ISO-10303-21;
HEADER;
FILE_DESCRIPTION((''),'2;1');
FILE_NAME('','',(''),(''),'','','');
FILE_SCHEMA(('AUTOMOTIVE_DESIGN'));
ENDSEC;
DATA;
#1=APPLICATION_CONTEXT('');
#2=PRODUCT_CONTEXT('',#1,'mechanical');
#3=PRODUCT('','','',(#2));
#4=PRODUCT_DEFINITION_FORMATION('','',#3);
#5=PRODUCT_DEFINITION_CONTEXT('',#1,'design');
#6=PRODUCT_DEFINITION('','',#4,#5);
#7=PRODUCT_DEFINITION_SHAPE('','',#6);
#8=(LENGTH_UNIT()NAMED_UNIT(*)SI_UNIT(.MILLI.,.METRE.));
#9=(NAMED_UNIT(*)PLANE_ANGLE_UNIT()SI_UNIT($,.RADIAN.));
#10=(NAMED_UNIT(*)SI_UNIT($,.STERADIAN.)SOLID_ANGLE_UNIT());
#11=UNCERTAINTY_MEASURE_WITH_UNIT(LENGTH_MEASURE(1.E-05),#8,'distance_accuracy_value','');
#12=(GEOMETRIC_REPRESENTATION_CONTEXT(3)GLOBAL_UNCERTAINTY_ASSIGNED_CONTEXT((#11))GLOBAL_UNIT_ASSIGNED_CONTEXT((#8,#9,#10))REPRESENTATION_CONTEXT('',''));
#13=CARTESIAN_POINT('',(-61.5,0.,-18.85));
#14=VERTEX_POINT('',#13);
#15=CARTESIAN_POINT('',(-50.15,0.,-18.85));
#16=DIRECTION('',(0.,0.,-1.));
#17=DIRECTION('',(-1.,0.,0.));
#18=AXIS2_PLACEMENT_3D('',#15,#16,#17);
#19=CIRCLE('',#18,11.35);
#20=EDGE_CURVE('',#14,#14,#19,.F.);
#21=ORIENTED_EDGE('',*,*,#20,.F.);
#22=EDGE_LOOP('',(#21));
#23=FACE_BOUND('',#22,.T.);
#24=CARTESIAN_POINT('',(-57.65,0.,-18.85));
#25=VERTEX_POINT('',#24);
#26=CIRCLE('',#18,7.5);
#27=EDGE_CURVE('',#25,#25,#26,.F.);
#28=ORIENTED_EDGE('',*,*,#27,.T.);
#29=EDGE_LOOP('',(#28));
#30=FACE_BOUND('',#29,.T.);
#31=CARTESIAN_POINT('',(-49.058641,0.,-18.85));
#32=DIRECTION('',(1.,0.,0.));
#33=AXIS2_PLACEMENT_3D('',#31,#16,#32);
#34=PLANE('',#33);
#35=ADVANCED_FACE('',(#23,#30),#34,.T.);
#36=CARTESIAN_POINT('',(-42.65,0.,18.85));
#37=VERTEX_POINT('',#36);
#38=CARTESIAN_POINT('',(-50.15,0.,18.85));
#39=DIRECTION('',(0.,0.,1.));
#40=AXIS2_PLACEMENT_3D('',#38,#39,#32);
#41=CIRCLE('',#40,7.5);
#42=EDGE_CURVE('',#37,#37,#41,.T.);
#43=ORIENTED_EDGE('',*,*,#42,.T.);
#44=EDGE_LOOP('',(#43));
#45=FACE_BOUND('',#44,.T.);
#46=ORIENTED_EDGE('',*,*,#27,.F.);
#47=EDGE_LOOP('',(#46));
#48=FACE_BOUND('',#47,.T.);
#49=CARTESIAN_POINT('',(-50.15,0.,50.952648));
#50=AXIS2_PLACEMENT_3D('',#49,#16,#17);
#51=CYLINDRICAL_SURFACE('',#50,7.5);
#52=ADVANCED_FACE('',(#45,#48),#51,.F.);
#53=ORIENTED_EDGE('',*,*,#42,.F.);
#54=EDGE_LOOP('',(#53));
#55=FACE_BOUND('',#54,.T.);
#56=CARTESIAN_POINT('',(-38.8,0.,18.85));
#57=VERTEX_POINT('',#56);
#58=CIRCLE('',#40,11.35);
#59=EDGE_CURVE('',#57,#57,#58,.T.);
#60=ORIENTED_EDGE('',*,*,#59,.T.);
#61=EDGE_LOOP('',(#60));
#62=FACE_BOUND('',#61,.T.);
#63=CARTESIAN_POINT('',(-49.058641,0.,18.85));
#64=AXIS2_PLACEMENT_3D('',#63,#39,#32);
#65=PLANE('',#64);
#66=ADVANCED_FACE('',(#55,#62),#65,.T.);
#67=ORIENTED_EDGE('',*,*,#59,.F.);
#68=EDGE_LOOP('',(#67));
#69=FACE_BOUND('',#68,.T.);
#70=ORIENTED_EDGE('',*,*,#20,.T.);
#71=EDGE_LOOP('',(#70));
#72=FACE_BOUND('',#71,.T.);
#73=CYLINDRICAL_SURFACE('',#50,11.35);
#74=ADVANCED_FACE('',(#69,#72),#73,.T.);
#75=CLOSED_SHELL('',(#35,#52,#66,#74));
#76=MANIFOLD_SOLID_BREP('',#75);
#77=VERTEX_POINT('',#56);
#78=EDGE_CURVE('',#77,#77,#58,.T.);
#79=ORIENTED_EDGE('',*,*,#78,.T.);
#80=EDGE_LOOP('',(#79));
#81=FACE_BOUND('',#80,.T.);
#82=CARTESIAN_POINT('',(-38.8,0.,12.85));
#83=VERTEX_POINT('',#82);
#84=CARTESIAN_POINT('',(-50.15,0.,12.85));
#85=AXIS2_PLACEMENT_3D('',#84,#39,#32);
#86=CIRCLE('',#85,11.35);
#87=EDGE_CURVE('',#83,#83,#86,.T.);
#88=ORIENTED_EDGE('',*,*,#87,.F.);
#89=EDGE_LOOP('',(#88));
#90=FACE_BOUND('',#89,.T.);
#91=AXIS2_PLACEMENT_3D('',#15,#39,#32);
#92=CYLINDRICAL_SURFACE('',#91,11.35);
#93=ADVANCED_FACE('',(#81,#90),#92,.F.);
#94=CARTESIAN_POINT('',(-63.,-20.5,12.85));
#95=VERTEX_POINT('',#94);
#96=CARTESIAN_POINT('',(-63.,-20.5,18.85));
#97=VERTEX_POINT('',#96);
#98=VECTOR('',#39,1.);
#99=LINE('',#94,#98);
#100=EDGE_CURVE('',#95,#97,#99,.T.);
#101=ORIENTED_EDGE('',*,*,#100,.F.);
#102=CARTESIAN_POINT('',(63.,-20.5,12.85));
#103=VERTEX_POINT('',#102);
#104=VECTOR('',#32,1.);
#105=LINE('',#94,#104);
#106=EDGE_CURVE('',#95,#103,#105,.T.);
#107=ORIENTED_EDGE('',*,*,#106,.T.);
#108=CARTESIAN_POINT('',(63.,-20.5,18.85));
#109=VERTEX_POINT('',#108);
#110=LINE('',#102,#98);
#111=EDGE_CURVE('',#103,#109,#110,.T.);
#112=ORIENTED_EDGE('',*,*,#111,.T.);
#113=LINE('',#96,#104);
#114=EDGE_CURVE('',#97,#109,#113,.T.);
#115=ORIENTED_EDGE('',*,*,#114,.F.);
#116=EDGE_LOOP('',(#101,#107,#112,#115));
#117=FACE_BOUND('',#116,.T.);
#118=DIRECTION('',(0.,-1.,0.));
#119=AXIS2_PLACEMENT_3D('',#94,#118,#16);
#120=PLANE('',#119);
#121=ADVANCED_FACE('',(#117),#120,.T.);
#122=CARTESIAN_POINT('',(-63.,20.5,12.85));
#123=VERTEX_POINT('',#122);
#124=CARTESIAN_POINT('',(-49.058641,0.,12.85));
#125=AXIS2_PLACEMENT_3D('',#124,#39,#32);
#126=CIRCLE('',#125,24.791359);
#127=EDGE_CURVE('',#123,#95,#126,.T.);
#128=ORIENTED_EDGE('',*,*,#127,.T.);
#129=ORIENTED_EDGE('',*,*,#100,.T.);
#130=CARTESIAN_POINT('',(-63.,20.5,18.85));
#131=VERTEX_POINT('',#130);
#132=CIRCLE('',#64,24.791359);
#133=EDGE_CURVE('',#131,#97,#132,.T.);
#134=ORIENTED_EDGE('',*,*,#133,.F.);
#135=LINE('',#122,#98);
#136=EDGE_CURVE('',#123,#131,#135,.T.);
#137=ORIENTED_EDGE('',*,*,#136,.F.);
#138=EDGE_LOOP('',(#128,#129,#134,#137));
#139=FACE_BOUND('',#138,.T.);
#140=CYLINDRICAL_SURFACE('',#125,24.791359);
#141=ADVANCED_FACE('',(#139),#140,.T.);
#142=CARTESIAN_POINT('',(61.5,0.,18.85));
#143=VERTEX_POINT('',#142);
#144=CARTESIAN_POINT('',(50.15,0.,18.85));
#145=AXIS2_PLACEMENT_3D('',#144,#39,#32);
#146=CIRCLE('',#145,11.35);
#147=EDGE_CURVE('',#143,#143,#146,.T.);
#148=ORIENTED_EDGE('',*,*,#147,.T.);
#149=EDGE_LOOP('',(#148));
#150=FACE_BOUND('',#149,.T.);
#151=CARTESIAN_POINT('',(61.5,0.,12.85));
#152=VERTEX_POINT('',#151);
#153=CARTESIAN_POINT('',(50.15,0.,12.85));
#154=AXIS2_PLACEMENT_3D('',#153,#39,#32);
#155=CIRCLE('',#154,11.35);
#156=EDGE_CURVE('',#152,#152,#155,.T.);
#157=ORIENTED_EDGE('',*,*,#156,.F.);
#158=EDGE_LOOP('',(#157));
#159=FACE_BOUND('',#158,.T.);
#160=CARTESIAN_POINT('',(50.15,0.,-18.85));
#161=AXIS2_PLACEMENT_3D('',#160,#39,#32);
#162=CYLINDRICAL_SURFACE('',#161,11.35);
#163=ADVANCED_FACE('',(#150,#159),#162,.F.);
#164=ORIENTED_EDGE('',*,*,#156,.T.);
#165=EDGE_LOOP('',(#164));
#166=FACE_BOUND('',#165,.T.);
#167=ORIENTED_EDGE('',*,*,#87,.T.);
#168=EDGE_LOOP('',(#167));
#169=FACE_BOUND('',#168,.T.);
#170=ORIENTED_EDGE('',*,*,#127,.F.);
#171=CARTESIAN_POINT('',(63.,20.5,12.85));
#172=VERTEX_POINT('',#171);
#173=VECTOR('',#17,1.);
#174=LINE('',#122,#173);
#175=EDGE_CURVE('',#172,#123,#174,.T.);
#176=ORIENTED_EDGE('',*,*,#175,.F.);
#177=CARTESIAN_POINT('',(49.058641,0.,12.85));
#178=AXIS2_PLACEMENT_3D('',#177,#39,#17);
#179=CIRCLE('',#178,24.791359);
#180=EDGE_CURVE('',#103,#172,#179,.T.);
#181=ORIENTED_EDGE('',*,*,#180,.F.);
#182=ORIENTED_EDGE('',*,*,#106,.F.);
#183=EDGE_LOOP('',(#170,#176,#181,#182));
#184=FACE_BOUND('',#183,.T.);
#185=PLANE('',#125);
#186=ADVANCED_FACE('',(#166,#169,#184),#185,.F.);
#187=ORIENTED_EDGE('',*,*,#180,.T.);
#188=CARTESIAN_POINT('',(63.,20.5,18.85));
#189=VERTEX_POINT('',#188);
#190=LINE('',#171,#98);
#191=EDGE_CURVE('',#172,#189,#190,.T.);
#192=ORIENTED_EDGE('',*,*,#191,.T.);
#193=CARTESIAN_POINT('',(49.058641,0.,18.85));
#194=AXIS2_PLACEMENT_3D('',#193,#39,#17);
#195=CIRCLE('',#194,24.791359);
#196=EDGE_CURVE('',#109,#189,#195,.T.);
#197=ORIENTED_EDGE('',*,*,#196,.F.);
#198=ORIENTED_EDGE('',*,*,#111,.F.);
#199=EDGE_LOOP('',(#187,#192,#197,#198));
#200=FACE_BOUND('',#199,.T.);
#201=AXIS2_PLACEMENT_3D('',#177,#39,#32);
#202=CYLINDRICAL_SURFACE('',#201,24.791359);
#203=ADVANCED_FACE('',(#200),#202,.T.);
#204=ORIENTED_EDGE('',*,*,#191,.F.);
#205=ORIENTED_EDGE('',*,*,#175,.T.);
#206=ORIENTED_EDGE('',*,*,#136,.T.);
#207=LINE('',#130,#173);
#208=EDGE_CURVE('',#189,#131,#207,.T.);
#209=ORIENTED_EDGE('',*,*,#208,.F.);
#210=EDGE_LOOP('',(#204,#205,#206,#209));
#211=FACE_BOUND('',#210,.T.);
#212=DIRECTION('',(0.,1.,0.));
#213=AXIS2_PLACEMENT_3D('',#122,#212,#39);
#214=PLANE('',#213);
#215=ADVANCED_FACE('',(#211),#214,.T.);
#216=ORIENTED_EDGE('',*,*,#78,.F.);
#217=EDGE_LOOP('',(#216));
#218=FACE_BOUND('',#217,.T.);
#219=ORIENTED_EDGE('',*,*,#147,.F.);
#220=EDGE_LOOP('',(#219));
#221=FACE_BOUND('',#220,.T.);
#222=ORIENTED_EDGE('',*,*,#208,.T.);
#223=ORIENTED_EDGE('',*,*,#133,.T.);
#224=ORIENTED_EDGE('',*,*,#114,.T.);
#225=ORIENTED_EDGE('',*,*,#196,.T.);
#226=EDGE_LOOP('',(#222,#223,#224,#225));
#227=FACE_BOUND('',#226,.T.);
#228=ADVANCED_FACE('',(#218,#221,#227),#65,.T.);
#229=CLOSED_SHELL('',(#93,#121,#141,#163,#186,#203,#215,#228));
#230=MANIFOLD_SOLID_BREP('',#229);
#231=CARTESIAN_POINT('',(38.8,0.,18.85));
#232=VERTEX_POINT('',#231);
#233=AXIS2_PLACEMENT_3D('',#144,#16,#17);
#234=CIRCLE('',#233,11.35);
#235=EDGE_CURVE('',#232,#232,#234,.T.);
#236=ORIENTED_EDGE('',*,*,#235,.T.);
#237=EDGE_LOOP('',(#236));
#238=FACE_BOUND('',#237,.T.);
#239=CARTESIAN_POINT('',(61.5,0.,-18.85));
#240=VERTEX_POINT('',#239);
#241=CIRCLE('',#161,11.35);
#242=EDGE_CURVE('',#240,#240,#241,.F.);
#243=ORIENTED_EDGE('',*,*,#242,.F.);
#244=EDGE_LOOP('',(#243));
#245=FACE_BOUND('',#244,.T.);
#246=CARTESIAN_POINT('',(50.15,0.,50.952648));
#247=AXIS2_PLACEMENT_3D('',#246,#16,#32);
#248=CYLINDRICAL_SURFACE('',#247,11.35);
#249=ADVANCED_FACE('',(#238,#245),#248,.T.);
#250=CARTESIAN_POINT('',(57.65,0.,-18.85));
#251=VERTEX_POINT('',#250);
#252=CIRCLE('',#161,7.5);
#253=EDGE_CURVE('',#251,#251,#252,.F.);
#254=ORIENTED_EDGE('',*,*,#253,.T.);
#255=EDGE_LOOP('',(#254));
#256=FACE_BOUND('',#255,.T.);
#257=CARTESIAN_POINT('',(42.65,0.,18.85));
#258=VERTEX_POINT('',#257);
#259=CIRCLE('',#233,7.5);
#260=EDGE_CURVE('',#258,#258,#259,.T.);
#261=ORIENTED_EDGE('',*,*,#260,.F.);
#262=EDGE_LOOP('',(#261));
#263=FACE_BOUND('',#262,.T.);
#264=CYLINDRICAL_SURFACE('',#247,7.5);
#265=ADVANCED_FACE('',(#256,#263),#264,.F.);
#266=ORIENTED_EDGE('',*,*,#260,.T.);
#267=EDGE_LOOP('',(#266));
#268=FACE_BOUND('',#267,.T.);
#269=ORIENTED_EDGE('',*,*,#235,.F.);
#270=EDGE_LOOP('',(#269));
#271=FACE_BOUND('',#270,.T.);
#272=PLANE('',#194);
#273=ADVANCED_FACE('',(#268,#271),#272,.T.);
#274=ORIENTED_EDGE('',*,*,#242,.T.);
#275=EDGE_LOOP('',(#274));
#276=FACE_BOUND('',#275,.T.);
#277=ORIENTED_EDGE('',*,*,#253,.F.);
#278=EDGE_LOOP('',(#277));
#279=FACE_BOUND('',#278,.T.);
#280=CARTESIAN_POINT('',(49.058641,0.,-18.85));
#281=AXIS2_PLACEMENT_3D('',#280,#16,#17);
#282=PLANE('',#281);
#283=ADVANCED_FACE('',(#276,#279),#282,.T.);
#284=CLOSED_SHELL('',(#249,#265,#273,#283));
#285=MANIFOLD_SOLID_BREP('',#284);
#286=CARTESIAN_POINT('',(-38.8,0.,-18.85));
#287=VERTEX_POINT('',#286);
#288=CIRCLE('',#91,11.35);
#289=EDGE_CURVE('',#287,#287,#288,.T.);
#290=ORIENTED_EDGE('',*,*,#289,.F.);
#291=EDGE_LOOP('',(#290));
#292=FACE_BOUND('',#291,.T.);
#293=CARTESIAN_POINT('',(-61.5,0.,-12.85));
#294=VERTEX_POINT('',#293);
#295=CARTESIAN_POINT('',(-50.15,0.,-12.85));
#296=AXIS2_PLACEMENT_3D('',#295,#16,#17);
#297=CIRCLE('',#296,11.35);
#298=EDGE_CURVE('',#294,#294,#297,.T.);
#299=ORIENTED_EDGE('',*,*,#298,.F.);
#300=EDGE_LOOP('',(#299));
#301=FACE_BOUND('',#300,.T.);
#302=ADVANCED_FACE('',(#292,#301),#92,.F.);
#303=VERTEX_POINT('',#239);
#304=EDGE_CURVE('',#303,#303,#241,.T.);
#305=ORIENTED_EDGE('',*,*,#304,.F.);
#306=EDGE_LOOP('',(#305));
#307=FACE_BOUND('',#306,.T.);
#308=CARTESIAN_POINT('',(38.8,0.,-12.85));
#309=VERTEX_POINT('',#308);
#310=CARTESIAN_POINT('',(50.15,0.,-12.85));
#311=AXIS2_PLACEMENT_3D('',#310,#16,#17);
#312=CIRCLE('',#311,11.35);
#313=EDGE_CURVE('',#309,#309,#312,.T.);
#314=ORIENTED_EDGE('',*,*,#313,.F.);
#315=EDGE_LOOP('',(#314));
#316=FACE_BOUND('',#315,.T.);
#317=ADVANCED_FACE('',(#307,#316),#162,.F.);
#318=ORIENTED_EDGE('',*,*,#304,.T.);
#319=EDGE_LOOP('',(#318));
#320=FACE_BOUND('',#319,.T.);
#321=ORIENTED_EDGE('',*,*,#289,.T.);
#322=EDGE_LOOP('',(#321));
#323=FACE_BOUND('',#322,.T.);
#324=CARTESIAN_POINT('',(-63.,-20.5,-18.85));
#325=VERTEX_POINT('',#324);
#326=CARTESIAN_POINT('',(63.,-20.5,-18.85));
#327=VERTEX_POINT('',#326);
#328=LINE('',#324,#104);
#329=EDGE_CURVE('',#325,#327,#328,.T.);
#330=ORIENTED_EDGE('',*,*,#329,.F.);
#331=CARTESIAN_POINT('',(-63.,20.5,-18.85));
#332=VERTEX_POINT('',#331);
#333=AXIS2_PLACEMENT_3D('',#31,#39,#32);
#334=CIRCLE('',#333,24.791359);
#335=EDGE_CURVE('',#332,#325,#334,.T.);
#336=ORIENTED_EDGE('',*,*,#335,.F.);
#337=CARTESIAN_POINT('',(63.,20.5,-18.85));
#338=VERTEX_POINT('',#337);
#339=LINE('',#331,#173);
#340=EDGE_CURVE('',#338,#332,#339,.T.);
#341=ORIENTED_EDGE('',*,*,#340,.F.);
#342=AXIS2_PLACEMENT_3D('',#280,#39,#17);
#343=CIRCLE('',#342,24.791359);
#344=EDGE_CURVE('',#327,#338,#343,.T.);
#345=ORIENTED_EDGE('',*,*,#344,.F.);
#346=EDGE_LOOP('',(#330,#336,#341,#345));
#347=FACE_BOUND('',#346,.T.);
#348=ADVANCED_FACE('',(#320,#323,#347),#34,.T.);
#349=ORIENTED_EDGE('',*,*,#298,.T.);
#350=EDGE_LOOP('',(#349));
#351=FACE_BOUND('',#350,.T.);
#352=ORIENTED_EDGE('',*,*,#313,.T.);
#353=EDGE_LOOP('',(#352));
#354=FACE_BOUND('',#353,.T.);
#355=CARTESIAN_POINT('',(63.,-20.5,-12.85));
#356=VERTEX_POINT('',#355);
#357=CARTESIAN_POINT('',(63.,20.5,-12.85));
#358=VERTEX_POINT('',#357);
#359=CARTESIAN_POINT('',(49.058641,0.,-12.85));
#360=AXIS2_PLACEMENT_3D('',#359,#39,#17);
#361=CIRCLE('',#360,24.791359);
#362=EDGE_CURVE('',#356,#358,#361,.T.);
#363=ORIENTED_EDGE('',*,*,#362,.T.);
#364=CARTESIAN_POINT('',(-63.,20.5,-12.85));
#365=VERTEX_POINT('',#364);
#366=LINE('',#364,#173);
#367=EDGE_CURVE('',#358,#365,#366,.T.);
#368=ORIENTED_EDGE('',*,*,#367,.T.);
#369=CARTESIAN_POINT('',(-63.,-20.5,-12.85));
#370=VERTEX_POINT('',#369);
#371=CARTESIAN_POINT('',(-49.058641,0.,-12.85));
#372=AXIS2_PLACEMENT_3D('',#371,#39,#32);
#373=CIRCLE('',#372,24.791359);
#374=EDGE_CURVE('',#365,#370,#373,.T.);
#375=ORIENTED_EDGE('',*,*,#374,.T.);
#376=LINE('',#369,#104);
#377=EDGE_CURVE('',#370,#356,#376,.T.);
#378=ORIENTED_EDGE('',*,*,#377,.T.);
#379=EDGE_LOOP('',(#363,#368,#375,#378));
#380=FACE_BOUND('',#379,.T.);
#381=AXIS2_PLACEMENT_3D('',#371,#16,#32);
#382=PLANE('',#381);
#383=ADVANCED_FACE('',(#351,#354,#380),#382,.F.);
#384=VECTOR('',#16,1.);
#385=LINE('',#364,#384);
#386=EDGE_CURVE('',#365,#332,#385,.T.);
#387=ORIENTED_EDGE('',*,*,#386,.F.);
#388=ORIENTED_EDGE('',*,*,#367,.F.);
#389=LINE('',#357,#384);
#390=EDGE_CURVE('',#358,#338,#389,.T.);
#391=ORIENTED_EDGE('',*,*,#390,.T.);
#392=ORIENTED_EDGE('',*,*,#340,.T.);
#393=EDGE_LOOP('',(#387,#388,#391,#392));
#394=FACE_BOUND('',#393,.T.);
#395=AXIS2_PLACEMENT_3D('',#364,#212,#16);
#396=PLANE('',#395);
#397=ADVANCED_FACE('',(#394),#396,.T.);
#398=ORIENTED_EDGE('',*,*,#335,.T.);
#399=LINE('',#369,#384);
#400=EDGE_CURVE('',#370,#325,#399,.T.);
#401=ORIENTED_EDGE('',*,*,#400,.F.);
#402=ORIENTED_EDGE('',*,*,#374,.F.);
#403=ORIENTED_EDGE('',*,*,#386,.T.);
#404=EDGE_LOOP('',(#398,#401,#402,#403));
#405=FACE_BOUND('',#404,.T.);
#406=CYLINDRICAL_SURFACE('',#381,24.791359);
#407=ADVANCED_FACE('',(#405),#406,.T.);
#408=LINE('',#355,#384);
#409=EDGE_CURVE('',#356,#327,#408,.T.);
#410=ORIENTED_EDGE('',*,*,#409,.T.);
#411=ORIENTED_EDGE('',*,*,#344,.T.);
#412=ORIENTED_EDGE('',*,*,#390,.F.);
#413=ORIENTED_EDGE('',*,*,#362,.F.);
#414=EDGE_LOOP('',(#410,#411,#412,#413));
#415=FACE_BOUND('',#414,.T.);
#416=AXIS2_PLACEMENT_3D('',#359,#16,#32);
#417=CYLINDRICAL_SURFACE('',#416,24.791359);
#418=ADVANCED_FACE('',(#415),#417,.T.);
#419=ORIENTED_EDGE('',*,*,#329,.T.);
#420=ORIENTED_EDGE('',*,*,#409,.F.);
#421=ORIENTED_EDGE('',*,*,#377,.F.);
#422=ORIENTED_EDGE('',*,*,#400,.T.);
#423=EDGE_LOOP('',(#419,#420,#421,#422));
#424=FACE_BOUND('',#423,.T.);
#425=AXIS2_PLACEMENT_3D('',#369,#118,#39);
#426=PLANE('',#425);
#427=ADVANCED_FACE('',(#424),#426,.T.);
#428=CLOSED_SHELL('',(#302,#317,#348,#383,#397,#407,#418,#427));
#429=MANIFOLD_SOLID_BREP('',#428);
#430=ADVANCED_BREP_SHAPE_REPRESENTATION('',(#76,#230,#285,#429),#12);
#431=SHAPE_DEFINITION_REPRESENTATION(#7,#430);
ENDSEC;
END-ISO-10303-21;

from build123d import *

# Parameters (mm, degrees)
BOSS_EXTRUDE1_START     = 18.85
BOSS_EXTRUDE1_DEPTH     = 6
SKETCH2_R               = 7.5
CUT_EXTRUDE2_DEPTH      = 79.926516457
CUT_EXTRUDE3_DEPTH      = 79.926516457
CUT_EXTRUDE3_DEPTH_BACK = 79.926516457
SKETCH3_R               = 11.35
BOSS_EXTRUDE2_START     = -18.85
SKETCH4_R               = 11.35
SKETCH4_R_2             = 7.5
BOSS_EXTRUDE2_DEPTH     = 37.7


with BuildPart() as part:
    # Sketch1 → Boss-Extrude1 (new body)
    with BuildSketch(Plane.XY.offset(BOSS_EXTRUDE1_START)):
        with BuildLine():
            Line((-63, 20.5), (63, 20.5))
            ThreePointArc((63, 20.5), (73.85, 0), (63, -20.5))
            Line((63, -20.5), (-63, -20.5))
            ThreePointArc((-63, -20.5), (-73.85, 0), (-63, 20.5))
        make_face()
    extrude(amount=-BOSS_EXTRUDE1_DEPTH)

    # Sketch2 → Cut-Extrude2 (cut, through all)
    with BuildSketch(Plane.XY):
        with Locations((-50.15, 0)):
            Circle(SKETCH2_R)
        with Locations(Location((50.15, 0, 0), (0, 0, 180))):
            Circle(SKETCH2_R)
    extrude(amount=CUT_EXTRUDE2_DEPTH, mode=Mode.SUBTRACT)


with BuildPart() as body_2:
    # Mirror1: mirrored copy
    add(part.part.mirror(Plane.XY))


with BuildPart() as cut_extrude3_tool:
    # Sketch3 → Cut-Extrude3 (new, two sides: drawn at the far end of the back side and taken through both)
    with BuildSketch(Plane.XY.offset(-CUT_EXTRUDE3_DEPTH_BACK)):
        with Locations((-50.15, 0)):
            Circle(SKETCH3_R)
        with Locations((50.15, 0)):
            Circle(SKETCH3_R)
    extrude(amount=CUT_EXTRUDE3_DEPTH + CUT_EXTRUDE3_DEPTH_BACK)


with BuildPart() as part_1:
    add(part.part)

    # Cut-Extrude3: cut by cut_extrude3_tool
    add(cut_extrude3_tool.part, mode=Mode.SUBTRACT)


with BuildPart() as body_2_1:
    add(body_2.part)

    # Cut-Extrude3: cut by cut_extrude3_tool
    add(cut_extrude3_tool.part, mode=Mode.SUBTRACT)


with BuildPart() as body_3:
    # Sketch4 → Boss-Extrude2 (new body)
    with BuildSketch(Plane.XY.offset(BOSS_EXTRUDE2_START)):
        with Locations(Location((-50.15, 0, 0), (0, 0, 180))):
            Circle(SKETCH4_R)
        with Locations(Location((-50.15, 0, 0), (0, 0, 180))):
            Circle(SKETCH4_R_2, mode=Mode.SUBTRACT)
    extrude(amount=BOSS_EXTRUDE2_DEPTH)


with BuildPart() as body_4:
    # Mirror2: mirrored copy
    add(body_3.part.mirror(Plane(origin=(0, 0, 0), x_dir=(0, 0, 1), z_dir=(1, 0, 0))))


solid = Compound([part_1.part, body_2_1.part, body_3.part, body_4.part])
